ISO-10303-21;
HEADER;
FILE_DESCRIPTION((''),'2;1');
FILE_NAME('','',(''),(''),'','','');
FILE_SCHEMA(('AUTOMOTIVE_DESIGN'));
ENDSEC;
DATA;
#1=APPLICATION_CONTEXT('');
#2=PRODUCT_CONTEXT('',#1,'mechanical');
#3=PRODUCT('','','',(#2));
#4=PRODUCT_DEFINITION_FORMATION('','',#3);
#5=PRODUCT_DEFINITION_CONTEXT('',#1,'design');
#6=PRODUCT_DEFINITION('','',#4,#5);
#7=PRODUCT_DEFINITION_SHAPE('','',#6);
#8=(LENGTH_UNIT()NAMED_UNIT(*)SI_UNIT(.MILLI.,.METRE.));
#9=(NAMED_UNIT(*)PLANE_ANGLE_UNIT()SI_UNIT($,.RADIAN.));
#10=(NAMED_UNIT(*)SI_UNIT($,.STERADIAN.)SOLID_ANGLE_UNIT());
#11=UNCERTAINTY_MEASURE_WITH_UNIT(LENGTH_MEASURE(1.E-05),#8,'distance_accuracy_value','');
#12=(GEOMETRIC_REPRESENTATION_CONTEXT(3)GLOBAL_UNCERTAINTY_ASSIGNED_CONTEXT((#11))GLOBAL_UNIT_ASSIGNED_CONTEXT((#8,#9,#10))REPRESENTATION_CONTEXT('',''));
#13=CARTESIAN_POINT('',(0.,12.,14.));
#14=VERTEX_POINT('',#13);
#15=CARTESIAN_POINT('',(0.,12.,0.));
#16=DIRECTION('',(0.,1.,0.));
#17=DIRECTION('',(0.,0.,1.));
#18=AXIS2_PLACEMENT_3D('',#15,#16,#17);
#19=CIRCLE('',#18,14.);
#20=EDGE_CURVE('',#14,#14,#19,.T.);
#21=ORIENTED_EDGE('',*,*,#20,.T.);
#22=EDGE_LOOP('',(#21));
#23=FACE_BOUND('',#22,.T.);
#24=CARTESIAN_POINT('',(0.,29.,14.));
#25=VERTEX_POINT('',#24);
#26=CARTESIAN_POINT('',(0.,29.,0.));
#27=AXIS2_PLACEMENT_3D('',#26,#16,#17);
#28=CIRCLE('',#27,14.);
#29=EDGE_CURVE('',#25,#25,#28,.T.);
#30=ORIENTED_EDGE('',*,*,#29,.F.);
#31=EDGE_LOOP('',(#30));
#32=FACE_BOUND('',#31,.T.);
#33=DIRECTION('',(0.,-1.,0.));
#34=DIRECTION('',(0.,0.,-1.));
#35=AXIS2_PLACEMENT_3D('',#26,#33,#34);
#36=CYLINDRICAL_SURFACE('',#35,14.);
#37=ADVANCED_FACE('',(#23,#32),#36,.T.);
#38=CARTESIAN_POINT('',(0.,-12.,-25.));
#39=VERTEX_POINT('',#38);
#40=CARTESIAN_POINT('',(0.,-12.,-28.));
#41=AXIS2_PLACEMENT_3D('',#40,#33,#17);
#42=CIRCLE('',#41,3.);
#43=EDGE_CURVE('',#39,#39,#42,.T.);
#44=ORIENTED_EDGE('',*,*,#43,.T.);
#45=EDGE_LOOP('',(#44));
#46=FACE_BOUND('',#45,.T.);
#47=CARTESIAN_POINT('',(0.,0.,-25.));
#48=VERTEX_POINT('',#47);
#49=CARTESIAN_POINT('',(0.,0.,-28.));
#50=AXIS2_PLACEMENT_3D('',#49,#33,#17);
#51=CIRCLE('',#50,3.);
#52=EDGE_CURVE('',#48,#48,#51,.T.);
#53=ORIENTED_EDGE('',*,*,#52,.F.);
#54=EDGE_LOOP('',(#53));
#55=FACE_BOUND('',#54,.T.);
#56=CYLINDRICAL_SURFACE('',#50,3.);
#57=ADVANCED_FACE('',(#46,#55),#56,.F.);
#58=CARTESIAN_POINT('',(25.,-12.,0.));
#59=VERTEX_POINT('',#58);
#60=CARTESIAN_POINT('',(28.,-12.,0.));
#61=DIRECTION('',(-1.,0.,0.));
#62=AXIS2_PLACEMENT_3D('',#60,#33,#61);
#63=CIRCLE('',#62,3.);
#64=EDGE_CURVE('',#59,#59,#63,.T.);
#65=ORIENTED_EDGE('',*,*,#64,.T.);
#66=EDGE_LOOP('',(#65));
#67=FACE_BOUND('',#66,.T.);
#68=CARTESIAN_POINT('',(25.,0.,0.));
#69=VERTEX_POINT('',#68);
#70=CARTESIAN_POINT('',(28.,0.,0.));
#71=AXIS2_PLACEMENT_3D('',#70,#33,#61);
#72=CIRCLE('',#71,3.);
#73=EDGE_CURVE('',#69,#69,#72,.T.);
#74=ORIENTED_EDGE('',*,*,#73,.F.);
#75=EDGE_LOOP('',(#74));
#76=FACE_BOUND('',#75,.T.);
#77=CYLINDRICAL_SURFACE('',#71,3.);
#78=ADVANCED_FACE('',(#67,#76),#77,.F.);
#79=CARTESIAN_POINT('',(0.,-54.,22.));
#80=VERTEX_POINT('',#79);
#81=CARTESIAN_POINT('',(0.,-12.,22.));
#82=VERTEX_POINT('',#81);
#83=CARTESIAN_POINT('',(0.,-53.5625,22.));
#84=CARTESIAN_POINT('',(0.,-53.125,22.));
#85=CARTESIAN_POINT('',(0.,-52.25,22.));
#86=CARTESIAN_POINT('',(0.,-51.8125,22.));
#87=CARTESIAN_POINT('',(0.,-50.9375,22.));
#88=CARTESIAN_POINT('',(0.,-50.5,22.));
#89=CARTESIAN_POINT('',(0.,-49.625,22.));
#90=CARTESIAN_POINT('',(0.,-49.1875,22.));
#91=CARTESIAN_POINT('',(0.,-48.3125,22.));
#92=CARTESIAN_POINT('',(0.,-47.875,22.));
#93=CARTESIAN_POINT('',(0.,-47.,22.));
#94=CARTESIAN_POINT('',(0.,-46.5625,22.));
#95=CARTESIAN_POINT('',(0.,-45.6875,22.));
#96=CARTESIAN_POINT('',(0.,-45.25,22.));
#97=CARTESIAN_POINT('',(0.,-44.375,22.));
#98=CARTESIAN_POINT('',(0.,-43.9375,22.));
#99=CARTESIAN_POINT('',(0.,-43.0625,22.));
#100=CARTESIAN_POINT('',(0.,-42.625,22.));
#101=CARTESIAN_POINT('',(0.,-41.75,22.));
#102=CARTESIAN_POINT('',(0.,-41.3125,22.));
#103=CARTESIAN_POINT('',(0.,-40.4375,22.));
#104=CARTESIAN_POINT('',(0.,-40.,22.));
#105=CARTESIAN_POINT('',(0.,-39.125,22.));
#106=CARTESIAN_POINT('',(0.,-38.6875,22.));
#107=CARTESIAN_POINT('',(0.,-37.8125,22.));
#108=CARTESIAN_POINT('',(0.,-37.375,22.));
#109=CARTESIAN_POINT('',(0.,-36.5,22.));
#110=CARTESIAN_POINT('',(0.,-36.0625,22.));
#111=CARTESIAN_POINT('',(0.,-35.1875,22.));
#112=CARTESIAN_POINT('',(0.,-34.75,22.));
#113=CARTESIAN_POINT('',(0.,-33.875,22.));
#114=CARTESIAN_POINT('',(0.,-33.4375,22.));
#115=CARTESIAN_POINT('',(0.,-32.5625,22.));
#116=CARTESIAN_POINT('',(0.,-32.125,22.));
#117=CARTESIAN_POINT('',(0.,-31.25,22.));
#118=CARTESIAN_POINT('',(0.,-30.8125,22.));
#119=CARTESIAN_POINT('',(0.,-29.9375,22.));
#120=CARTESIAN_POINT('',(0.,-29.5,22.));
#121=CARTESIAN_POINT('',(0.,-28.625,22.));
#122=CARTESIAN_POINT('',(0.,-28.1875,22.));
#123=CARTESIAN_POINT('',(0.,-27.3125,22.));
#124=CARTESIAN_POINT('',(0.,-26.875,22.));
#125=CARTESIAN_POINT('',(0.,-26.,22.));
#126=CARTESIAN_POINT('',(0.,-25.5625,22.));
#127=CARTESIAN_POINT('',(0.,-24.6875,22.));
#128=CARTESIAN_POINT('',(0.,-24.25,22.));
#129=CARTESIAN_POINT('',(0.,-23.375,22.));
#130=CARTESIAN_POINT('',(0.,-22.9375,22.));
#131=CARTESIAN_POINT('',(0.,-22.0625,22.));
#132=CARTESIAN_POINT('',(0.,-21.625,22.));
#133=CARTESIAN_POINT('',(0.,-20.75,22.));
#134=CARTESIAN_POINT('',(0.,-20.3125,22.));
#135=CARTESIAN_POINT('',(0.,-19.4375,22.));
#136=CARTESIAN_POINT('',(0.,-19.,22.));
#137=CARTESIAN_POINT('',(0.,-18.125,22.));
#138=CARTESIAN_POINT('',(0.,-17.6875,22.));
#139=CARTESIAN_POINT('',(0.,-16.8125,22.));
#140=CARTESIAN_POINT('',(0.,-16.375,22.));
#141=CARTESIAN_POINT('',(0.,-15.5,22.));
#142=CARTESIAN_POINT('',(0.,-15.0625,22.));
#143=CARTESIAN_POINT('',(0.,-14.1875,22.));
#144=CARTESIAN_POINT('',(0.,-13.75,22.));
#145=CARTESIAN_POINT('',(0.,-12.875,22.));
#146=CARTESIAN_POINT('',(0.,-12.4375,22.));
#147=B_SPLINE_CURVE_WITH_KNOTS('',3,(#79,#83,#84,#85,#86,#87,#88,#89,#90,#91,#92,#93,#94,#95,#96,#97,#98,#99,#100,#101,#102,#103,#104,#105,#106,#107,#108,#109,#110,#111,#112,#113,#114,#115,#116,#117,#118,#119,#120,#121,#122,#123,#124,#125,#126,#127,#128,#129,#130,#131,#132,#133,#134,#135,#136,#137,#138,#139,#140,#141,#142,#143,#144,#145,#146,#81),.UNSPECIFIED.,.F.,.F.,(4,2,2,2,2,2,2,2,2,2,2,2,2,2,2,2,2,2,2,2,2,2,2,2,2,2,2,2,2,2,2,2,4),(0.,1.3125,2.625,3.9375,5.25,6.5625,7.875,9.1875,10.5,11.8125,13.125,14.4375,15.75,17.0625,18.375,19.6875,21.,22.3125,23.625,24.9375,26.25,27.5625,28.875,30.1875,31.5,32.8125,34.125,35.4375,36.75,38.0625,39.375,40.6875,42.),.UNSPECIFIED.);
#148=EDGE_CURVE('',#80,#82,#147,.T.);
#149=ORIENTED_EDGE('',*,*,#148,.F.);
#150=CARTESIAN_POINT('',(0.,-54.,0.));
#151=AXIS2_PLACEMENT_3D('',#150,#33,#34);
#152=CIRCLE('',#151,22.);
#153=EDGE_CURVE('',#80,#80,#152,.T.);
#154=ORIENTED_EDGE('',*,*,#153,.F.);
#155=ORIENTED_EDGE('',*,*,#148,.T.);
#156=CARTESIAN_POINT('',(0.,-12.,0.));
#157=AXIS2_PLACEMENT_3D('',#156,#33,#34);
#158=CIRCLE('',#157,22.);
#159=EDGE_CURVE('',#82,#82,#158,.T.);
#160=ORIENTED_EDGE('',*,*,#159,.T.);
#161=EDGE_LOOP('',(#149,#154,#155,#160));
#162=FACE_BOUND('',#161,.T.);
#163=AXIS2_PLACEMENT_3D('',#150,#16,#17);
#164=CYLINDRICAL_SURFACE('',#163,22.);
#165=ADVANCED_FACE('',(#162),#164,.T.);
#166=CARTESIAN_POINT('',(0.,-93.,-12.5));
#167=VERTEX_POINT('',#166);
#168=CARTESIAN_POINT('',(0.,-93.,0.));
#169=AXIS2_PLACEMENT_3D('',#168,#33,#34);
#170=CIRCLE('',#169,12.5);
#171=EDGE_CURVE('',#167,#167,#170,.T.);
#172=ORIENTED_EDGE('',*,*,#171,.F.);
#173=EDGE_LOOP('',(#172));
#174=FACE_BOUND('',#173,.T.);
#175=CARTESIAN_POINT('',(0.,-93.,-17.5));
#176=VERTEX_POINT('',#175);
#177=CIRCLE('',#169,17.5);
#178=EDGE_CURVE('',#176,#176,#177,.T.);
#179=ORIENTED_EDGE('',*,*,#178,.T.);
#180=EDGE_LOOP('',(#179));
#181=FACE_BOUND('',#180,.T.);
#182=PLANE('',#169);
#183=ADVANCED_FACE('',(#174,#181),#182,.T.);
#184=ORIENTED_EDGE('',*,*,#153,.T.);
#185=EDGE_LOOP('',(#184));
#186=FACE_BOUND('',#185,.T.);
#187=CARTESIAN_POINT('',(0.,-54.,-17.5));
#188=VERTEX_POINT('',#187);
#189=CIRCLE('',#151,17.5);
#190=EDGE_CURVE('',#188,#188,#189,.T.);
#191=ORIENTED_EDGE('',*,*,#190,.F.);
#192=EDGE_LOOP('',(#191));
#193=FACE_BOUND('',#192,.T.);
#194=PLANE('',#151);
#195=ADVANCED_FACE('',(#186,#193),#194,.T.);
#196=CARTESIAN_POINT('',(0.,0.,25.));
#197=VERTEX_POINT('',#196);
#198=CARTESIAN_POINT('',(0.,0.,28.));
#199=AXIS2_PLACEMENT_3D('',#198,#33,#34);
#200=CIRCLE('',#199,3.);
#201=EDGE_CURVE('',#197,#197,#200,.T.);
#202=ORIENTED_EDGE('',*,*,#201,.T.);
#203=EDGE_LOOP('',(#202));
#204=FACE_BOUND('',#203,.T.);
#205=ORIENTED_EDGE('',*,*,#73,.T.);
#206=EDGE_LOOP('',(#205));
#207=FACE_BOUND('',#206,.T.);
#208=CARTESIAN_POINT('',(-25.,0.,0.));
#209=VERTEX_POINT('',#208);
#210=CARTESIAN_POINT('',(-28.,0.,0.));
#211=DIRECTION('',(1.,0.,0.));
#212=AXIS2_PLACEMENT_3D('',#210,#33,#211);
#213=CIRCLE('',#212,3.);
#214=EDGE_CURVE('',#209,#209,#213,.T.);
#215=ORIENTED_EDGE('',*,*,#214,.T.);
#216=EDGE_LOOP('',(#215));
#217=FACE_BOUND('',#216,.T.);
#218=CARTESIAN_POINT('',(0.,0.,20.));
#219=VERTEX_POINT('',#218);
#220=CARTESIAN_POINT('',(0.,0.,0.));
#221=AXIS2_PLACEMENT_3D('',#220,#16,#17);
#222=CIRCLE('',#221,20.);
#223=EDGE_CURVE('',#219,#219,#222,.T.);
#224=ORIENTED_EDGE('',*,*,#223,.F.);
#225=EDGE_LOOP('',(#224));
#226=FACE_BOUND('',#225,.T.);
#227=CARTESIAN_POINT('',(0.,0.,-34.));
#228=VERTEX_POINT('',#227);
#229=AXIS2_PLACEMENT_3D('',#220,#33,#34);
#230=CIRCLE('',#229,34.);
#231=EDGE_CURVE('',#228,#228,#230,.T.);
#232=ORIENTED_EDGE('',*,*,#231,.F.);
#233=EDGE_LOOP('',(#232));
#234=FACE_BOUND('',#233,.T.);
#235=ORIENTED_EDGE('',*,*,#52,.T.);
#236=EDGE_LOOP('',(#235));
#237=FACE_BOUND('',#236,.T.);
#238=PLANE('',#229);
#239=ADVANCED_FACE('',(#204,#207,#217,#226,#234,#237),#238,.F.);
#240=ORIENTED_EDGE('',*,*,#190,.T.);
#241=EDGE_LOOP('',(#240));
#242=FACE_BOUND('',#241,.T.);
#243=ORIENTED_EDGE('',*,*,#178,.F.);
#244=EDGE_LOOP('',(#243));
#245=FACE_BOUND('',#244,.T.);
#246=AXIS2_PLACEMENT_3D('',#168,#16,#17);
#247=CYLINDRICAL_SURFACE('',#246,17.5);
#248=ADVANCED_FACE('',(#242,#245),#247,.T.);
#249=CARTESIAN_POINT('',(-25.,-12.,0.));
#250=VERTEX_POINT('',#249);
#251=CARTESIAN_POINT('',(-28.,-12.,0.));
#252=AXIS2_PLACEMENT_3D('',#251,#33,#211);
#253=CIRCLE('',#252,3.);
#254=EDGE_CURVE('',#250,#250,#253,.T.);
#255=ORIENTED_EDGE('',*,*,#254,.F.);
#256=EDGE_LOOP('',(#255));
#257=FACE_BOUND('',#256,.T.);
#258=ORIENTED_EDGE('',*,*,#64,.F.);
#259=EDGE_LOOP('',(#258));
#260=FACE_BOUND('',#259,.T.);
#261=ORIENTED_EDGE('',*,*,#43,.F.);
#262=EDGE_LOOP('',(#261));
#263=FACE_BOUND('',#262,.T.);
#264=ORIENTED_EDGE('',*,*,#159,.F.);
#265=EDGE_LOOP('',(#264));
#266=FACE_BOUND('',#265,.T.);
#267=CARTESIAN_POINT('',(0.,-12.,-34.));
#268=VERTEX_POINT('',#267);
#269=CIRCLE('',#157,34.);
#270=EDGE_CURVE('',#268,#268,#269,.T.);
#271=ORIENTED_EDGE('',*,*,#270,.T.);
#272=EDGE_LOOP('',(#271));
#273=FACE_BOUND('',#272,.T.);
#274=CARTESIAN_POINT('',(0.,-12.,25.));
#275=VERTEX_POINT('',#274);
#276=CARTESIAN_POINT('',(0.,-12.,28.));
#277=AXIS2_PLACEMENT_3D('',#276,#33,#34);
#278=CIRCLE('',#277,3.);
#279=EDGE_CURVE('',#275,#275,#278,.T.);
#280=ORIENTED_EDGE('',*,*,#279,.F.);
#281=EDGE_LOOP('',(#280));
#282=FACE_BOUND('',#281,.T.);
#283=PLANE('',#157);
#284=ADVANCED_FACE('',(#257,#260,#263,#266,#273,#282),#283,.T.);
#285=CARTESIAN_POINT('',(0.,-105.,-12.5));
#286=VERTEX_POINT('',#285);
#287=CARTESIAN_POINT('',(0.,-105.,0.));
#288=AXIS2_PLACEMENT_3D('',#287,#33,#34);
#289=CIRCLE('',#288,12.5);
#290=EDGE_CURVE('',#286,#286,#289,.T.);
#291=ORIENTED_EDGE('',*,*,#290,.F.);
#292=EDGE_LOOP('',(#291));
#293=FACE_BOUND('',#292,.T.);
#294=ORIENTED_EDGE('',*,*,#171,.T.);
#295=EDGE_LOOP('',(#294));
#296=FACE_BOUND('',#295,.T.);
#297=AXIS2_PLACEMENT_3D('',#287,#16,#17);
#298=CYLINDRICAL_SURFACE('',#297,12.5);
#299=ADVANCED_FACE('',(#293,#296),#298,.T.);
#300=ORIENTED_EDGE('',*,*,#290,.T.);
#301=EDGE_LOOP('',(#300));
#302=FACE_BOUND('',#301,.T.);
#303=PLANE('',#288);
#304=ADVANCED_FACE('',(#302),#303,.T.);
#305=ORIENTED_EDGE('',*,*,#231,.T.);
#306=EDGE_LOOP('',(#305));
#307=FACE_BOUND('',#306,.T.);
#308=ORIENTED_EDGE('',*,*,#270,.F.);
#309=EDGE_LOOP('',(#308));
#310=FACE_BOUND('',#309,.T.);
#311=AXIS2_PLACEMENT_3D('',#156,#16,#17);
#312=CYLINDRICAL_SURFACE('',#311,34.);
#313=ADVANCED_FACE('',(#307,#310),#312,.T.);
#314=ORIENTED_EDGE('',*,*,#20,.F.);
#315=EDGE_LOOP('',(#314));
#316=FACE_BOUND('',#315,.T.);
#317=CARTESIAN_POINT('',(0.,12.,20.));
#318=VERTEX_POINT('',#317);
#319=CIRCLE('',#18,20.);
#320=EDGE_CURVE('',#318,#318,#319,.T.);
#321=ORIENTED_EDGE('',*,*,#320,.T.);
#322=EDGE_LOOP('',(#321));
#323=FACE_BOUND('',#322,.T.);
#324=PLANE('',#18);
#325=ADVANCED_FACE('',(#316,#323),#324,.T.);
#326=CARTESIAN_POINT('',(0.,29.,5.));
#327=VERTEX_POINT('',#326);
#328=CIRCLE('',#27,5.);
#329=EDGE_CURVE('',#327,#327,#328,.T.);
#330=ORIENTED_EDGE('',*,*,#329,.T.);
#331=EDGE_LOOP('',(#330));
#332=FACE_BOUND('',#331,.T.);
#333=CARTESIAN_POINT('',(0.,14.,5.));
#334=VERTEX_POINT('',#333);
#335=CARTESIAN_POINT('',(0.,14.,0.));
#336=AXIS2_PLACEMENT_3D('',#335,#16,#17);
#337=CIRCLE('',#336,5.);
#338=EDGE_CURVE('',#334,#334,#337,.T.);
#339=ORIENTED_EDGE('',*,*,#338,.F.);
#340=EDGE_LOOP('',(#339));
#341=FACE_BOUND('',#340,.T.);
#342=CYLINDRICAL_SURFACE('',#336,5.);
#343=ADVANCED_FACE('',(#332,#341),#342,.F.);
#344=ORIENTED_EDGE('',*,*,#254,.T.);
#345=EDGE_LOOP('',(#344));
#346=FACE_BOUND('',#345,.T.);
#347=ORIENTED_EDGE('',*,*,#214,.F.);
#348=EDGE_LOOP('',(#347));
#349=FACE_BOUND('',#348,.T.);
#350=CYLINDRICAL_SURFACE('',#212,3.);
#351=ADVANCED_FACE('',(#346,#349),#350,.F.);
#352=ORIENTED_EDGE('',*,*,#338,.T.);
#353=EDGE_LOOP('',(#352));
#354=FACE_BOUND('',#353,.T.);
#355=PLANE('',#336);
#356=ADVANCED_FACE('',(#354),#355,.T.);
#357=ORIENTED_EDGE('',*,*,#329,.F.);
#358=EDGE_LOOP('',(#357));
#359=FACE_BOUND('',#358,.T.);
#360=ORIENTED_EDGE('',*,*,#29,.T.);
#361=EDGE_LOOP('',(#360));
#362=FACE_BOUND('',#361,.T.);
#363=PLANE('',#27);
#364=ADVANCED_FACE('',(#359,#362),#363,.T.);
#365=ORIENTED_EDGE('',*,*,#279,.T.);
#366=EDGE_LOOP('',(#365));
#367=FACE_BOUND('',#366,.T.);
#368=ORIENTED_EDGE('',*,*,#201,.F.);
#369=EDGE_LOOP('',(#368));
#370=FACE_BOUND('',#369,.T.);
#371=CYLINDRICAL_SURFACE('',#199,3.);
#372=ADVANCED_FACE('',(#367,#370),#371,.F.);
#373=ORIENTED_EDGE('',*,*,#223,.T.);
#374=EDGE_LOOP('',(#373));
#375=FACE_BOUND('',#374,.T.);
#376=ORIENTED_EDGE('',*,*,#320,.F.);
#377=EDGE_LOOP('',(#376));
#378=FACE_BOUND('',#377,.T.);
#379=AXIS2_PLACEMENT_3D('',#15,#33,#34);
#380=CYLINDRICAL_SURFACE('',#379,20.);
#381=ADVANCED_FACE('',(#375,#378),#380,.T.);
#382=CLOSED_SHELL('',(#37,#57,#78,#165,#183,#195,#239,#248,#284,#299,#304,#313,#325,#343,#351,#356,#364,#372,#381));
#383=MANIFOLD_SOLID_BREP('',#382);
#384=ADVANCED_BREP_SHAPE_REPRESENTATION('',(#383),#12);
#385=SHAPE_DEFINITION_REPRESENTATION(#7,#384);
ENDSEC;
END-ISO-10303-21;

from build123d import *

# Parameters (mm, degrees)
SKETCH_1_R               = 20
EXTRUDE_1_DEPTH          = 12
SKETCH_3_R               = 34
EXTRUDE_2_DEPTH          = 12
SKETCH_4_R               = 22
EXTRUDE_3_DEPTH          = 42
SKETCH_5_R               = 17.5
EXTRUDE_5_DEPTH          = 39
SKETCH_6_R               = 12.5
EXTRUDE_6_DEPTH          = 12
SKETCH_8_R               = 16
SKETCH_8_R_2             = 10
EXTRUDE_7_DEPTH          = 18
SKETCH_11_R              = 3
CUT_EXTRUDE_9_DEPTH      = 12
PATTERN_CIRCULAR_1_COUNT = 4
SKETCH_12_R              = 14
EXTRUDE_8_DEPTH          = 17
SKETCH_14_R              = 5
CUT_EXTRUDE_10_DEPTH     = 15


with BuildPart() as part:
    # 草图1 → 凸台-拉伸1 (new body)
    with BuildSketch(Plane(origin=(0, 0, 0), x_dir=(1, 0, 0), z_dir=(0, 1, 0))):
        with Locations(Location((0, 0, 0), (0, 0, 270))):
            Circle(SKETCH_1_R)
    extrude(amount=EXTRUDE_1_DEPTH)

    # 草图3 → 凸台-拉伸2 (add)
    with BuildSketch(Plane.XZ):
        with Locations(Location((0, 0, 0), (0, 0, 270))):
            Circle(SKETCH_3_R)
    extrude(amount=EXTRUDE_2_DEPTH)

    # 草图4 → 凸台-拉伸3 (add)
    with BuildSketch(Plane.XZ.offset(12)):
        with Locations(Location((0, 0, 0), (0, 0, 90))):
            Circle(SKETCH_4_R)
    extrude(amount=EXTRUDE_3_DEPTH)

    # 草图5 → 凸台-拉伸5 (add)
    with BuildSketch(Plane.XZ.offset(54)):
        with Locations(Location((0, 0, 0), (0, 0, 270))):
            Circle(SKETCH_5_R)
    extrude(amount=EXTRUDE_5_DEPTH)

    # 草图6 → 凸台-拉伸6 (add)
    with BuildSketch(Plane.XZ.offset(93)):
        with Locations(Location((0, 0, 0), (0, 0, 270))):
            Circle(SKETCH_6_R)
    extrude(amount=EXTRUDE_6_DEPTH)

    # 草图8 → 凸台-拉伸7 (add)
    with BuildSketch(Plane.XZ.offset(12)):
        Circle(SKETCH_8_R)
        Circle(SKETCH_8_R_2, mode=Mode.SUBTRACT)
    extrude(amount=EXTRUDE_7_DEPTH)

    # 草图11 → 切除-拉伸9 (cut)
    with BuildSketch(Plane.XZ.offset(12)):
        with Locations(Location((0, 28, 0), (0, 0, 270))):
            Circle(SKETCH_11_R)
    cut_extrude_9 = extrude(amount=-CUT_EXTRUDE_9_DEPTH, mode=Mode.SUBTRACT)

    # 阵列(圆周)1: 切除-拉伸9 ×4 about axis
    pattern_circular_1_axis = Axis((0, 0, 0), (0, 1, 0))
    for i in range(1, PATTERN_CIRCULAR_1_COUNT):
        add(cut_extrude_9.rotate(pattern_circular_1_axis, i * 360 / PATTERN_CIRCULAR_1_COUNT), mode=Mode.SUBTRACT)

    # 草图12 → 凸台-拉伸8 (add)
    with BuildSketch(Plane(origin=(0, 12, 0), x_dir=(1, 0, 0), z_dir=(0, 1, 0))):
        with Locations(Location((0, 0, 0), (0, 0, 270))):
            Circle(SKETCH_12_R)
    extrude(amount=EXTRUDE_8_DEPTH)

    # 草图14 → 切除-拉伸10 (cut)
    with BuildSketch(Plane(origin=(0, 29, 0), x_dir=(1, 0, 0), z_dir=(0, 1, 0))):
        with Locations(Location((0, 0, 0), (0, 0, 270))):
            Circle(SKETCH_14_R)
    extrude(amount=-CUT_EXTRUDE_10_DEPTH, mode=Mode.SUBTRACT)


solid = part.part
